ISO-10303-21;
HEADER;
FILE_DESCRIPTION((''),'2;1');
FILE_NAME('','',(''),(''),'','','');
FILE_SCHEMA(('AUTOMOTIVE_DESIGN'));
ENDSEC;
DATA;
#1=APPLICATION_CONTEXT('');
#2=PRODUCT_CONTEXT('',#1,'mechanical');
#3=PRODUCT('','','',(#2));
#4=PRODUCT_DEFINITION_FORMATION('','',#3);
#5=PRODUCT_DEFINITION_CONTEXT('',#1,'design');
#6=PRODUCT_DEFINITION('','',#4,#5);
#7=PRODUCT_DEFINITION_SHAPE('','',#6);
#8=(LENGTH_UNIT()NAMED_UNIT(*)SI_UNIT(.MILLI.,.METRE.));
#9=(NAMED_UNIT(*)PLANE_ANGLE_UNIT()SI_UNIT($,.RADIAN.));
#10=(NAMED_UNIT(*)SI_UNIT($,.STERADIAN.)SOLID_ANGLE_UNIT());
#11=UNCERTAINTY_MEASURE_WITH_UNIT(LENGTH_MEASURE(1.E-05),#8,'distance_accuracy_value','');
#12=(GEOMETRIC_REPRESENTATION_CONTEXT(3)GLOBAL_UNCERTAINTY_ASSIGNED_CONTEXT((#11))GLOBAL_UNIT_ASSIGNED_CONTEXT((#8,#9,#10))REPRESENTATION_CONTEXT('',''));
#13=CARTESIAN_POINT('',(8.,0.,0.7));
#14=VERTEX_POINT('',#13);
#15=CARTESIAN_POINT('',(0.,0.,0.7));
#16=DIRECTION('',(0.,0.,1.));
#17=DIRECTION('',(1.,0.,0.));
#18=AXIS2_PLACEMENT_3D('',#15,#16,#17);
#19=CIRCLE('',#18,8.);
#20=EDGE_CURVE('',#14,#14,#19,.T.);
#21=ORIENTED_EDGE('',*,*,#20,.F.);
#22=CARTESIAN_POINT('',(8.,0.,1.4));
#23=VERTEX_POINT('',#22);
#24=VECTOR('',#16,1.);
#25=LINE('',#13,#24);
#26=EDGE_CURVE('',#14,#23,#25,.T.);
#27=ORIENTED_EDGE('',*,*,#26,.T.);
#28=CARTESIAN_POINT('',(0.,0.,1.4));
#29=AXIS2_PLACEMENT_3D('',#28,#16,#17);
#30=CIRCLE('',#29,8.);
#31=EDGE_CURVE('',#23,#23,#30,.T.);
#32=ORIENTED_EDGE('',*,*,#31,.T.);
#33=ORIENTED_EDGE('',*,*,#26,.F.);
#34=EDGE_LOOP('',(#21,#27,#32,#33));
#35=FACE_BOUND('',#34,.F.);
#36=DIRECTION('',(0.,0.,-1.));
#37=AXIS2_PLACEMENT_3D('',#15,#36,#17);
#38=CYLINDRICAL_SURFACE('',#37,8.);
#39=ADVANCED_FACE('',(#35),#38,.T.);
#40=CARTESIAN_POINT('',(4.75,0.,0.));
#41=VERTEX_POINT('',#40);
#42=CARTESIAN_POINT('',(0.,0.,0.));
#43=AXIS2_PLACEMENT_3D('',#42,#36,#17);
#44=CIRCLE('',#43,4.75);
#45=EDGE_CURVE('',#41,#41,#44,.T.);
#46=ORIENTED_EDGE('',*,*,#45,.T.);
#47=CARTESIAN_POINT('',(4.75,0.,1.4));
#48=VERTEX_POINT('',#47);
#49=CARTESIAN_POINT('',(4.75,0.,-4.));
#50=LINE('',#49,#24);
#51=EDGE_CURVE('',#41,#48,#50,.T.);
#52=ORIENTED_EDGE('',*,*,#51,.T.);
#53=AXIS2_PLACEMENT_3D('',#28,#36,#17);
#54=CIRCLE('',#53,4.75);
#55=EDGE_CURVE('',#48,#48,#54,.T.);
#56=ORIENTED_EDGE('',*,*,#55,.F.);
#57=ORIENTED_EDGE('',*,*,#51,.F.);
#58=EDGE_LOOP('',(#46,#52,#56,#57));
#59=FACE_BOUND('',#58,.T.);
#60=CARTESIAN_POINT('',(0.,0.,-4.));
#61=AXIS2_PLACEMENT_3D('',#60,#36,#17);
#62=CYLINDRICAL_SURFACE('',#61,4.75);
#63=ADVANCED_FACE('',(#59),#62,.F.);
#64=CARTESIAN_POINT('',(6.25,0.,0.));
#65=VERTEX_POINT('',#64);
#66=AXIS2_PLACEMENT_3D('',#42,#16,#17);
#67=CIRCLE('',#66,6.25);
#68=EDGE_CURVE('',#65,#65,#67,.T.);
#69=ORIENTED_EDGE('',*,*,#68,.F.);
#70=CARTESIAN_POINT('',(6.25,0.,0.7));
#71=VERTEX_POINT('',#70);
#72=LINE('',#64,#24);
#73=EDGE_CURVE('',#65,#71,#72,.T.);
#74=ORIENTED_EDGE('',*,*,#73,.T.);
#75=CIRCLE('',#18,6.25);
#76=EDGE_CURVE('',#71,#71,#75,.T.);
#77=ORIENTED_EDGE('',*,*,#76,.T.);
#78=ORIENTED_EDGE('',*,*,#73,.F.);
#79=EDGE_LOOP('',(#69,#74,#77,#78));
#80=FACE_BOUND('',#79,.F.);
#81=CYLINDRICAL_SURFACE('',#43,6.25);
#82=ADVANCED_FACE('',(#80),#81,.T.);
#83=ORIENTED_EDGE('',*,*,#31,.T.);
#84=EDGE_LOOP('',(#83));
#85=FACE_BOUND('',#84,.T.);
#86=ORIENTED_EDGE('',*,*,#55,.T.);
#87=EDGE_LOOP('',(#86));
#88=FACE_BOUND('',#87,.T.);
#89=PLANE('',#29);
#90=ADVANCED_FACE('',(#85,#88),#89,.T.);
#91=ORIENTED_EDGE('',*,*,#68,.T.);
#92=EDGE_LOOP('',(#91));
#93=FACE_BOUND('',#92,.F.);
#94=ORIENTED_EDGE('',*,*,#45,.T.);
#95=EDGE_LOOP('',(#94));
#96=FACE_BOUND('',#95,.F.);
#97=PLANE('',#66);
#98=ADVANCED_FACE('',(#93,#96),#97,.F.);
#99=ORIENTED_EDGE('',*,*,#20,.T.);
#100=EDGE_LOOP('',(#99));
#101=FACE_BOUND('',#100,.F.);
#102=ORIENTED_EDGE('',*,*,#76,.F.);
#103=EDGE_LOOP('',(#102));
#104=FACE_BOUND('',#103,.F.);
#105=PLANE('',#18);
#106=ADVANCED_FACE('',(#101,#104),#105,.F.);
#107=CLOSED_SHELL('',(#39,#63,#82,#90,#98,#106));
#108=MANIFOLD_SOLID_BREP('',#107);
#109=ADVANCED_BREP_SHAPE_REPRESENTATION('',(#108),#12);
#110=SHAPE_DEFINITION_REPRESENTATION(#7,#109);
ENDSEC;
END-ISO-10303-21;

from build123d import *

# Parameters (mm, degrees)
CYLINDER_R        = 4.75
CYLINDER_DEPTH    = 10
CYLINDER001_R     = 6.25
CYLINDER001_DEPTH = 0.7
CYLINDER002_R     = 8
CYLINDER002_DEPTH = 0.7


with BuildPart() as cylinder:
    # Cylinder → Cylinder (new body)
    with BuildSketch(Plane.XY.offset(-4)):
        Circle(CYLINDER_R)
    extrude(amount=CYLINDER_DEPTH)


with BuildPart() as cylinder001:
    # Cylinder001 → Cylinder001 (new body)
    with BuildSketch(Plane.XY):
        Circle(CYLINDER001_R)
    extrude(amount=CYLINDER001_DEPTH)


with BuildPart() as washer:
    # Cylinder002 → Cylinder002 (new body)
    with BuildSketch(Plane.XY.offset(0.7)):
        Circle(CYLINDER002_R)
    extrude(amount=CYLINDER002_DEPTH)

    # Fusion: union Cylinder001
    add(cylinder001.part)

    # Cut: cut Cylinder
    add(cylinder.part, mode=Mode.SUBTRACT)


solid = washer.part
